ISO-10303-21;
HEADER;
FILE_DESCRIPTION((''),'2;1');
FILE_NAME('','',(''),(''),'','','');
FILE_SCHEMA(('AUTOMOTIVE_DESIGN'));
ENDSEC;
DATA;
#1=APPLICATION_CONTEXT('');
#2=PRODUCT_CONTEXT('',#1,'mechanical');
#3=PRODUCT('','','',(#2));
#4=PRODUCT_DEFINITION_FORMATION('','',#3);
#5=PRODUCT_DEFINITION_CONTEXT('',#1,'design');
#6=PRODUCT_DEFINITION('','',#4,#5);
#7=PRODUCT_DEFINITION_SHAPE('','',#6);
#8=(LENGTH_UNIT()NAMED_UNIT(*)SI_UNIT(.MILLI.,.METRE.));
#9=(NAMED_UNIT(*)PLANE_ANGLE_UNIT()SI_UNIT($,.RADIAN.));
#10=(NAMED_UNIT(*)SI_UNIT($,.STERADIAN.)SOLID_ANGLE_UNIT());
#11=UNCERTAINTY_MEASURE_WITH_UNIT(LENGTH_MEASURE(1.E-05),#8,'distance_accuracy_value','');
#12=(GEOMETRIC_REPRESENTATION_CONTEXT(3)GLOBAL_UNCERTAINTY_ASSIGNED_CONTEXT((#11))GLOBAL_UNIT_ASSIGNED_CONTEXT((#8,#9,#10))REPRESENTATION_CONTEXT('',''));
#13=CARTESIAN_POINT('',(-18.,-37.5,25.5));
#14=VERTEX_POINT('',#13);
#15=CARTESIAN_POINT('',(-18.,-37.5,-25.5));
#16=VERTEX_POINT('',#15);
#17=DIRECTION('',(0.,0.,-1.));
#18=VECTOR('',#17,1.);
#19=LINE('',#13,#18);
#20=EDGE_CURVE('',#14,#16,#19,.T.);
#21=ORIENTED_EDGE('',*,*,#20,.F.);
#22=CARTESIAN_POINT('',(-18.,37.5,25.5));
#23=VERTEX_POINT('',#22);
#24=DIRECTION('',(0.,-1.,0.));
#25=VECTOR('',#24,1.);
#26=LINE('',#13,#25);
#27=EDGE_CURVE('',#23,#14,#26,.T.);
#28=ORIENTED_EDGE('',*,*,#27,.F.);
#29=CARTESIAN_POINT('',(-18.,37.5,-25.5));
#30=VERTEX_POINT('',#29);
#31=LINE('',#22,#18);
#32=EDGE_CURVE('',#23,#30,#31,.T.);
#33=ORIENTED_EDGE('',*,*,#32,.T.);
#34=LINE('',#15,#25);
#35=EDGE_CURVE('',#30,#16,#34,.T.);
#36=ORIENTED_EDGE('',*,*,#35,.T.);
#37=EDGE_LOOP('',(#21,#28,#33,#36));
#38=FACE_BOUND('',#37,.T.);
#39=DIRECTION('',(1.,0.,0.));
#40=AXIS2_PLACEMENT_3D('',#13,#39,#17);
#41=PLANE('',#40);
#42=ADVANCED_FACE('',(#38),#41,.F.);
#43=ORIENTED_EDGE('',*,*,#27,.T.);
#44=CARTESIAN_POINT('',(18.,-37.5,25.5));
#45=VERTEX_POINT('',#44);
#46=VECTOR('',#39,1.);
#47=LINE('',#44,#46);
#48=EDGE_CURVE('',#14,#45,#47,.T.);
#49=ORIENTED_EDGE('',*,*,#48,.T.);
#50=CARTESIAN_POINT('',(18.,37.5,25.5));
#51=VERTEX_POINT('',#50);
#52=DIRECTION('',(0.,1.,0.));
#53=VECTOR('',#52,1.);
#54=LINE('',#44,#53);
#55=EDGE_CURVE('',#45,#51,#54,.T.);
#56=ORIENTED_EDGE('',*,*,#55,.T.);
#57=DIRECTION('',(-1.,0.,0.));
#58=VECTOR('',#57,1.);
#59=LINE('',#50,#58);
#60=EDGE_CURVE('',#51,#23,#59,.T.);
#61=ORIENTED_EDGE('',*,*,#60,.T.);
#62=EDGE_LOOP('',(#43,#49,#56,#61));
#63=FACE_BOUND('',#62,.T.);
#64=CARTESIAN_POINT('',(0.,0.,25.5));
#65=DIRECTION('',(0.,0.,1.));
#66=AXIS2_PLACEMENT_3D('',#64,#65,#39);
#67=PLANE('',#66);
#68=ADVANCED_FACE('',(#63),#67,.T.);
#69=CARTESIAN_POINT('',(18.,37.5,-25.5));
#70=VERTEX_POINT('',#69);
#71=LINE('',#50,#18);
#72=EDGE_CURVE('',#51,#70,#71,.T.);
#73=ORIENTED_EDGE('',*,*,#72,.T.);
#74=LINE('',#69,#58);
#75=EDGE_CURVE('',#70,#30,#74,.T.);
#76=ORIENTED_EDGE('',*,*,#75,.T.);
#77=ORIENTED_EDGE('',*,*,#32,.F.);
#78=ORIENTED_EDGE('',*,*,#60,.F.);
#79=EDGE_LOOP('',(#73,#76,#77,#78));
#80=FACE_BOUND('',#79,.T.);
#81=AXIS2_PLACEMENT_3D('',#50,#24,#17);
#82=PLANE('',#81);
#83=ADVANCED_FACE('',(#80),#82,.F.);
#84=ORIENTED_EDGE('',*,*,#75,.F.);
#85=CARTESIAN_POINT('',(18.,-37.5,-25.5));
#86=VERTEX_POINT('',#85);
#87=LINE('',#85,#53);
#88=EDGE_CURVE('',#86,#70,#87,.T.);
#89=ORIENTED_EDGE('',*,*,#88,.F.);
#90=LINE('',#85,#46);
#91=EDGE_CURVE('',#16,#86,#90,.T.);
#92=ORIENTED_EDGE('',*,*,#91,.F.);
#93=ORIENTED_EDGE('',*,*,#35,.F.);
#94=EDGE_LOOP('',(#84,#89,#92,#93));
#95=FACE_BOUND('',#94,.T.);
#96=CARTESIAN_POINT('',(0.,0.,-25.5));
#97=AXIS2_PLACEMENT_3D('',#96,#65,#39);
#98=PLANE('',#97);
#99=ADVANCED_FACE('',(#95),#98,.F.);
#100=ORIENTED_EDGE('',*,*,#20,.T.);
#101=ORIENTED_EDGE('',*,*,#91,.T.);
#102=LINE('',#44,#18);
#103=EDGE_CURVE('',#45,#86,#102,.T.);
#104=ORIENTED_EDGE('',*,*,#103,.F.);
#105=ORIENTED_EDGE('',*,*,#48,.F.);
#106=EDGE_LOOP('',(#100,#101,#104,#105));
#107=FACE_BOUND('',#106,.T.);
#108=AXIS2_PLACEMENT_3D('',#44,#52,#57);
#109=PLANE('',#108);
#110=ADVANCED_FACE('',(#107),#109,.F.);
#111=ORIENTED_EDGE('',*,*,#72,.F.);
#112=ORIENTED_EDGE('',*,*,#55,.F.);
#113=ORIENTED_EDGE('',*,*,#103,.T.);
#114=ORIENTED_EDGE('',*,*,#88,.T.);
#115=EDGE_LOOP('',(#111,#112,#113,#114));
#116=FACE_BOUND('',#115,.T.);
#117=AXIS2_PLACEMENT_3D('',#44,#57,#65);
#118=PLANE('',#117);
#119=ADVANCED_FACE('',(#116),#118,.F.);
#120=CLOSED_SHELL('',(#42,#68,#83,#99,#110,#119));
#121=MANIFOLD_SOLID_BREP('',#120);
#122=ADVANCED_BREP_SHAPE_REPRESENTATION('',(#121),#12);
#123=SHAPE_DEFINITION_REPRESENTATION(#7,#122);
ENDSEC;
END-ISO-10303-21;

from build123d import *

# Parameters (mm, degrees)
ESQUISSE1_W        = 36
ESQUISSE1_H        = 75
BOSS_EXTRU_1_DEPTH = 25.5


with BuildPart() as part:
    # Esquisse1 → Boss.-Extru.1 (new, symmetric)
    with BuildSketch(Plane.XY):
        Rectangle(ESQUISSE1_W, ESQUISSE1_H)
    extrude(amount=BOSS_EXTRU_1_DEPTH, both=True)


solid = part.part
